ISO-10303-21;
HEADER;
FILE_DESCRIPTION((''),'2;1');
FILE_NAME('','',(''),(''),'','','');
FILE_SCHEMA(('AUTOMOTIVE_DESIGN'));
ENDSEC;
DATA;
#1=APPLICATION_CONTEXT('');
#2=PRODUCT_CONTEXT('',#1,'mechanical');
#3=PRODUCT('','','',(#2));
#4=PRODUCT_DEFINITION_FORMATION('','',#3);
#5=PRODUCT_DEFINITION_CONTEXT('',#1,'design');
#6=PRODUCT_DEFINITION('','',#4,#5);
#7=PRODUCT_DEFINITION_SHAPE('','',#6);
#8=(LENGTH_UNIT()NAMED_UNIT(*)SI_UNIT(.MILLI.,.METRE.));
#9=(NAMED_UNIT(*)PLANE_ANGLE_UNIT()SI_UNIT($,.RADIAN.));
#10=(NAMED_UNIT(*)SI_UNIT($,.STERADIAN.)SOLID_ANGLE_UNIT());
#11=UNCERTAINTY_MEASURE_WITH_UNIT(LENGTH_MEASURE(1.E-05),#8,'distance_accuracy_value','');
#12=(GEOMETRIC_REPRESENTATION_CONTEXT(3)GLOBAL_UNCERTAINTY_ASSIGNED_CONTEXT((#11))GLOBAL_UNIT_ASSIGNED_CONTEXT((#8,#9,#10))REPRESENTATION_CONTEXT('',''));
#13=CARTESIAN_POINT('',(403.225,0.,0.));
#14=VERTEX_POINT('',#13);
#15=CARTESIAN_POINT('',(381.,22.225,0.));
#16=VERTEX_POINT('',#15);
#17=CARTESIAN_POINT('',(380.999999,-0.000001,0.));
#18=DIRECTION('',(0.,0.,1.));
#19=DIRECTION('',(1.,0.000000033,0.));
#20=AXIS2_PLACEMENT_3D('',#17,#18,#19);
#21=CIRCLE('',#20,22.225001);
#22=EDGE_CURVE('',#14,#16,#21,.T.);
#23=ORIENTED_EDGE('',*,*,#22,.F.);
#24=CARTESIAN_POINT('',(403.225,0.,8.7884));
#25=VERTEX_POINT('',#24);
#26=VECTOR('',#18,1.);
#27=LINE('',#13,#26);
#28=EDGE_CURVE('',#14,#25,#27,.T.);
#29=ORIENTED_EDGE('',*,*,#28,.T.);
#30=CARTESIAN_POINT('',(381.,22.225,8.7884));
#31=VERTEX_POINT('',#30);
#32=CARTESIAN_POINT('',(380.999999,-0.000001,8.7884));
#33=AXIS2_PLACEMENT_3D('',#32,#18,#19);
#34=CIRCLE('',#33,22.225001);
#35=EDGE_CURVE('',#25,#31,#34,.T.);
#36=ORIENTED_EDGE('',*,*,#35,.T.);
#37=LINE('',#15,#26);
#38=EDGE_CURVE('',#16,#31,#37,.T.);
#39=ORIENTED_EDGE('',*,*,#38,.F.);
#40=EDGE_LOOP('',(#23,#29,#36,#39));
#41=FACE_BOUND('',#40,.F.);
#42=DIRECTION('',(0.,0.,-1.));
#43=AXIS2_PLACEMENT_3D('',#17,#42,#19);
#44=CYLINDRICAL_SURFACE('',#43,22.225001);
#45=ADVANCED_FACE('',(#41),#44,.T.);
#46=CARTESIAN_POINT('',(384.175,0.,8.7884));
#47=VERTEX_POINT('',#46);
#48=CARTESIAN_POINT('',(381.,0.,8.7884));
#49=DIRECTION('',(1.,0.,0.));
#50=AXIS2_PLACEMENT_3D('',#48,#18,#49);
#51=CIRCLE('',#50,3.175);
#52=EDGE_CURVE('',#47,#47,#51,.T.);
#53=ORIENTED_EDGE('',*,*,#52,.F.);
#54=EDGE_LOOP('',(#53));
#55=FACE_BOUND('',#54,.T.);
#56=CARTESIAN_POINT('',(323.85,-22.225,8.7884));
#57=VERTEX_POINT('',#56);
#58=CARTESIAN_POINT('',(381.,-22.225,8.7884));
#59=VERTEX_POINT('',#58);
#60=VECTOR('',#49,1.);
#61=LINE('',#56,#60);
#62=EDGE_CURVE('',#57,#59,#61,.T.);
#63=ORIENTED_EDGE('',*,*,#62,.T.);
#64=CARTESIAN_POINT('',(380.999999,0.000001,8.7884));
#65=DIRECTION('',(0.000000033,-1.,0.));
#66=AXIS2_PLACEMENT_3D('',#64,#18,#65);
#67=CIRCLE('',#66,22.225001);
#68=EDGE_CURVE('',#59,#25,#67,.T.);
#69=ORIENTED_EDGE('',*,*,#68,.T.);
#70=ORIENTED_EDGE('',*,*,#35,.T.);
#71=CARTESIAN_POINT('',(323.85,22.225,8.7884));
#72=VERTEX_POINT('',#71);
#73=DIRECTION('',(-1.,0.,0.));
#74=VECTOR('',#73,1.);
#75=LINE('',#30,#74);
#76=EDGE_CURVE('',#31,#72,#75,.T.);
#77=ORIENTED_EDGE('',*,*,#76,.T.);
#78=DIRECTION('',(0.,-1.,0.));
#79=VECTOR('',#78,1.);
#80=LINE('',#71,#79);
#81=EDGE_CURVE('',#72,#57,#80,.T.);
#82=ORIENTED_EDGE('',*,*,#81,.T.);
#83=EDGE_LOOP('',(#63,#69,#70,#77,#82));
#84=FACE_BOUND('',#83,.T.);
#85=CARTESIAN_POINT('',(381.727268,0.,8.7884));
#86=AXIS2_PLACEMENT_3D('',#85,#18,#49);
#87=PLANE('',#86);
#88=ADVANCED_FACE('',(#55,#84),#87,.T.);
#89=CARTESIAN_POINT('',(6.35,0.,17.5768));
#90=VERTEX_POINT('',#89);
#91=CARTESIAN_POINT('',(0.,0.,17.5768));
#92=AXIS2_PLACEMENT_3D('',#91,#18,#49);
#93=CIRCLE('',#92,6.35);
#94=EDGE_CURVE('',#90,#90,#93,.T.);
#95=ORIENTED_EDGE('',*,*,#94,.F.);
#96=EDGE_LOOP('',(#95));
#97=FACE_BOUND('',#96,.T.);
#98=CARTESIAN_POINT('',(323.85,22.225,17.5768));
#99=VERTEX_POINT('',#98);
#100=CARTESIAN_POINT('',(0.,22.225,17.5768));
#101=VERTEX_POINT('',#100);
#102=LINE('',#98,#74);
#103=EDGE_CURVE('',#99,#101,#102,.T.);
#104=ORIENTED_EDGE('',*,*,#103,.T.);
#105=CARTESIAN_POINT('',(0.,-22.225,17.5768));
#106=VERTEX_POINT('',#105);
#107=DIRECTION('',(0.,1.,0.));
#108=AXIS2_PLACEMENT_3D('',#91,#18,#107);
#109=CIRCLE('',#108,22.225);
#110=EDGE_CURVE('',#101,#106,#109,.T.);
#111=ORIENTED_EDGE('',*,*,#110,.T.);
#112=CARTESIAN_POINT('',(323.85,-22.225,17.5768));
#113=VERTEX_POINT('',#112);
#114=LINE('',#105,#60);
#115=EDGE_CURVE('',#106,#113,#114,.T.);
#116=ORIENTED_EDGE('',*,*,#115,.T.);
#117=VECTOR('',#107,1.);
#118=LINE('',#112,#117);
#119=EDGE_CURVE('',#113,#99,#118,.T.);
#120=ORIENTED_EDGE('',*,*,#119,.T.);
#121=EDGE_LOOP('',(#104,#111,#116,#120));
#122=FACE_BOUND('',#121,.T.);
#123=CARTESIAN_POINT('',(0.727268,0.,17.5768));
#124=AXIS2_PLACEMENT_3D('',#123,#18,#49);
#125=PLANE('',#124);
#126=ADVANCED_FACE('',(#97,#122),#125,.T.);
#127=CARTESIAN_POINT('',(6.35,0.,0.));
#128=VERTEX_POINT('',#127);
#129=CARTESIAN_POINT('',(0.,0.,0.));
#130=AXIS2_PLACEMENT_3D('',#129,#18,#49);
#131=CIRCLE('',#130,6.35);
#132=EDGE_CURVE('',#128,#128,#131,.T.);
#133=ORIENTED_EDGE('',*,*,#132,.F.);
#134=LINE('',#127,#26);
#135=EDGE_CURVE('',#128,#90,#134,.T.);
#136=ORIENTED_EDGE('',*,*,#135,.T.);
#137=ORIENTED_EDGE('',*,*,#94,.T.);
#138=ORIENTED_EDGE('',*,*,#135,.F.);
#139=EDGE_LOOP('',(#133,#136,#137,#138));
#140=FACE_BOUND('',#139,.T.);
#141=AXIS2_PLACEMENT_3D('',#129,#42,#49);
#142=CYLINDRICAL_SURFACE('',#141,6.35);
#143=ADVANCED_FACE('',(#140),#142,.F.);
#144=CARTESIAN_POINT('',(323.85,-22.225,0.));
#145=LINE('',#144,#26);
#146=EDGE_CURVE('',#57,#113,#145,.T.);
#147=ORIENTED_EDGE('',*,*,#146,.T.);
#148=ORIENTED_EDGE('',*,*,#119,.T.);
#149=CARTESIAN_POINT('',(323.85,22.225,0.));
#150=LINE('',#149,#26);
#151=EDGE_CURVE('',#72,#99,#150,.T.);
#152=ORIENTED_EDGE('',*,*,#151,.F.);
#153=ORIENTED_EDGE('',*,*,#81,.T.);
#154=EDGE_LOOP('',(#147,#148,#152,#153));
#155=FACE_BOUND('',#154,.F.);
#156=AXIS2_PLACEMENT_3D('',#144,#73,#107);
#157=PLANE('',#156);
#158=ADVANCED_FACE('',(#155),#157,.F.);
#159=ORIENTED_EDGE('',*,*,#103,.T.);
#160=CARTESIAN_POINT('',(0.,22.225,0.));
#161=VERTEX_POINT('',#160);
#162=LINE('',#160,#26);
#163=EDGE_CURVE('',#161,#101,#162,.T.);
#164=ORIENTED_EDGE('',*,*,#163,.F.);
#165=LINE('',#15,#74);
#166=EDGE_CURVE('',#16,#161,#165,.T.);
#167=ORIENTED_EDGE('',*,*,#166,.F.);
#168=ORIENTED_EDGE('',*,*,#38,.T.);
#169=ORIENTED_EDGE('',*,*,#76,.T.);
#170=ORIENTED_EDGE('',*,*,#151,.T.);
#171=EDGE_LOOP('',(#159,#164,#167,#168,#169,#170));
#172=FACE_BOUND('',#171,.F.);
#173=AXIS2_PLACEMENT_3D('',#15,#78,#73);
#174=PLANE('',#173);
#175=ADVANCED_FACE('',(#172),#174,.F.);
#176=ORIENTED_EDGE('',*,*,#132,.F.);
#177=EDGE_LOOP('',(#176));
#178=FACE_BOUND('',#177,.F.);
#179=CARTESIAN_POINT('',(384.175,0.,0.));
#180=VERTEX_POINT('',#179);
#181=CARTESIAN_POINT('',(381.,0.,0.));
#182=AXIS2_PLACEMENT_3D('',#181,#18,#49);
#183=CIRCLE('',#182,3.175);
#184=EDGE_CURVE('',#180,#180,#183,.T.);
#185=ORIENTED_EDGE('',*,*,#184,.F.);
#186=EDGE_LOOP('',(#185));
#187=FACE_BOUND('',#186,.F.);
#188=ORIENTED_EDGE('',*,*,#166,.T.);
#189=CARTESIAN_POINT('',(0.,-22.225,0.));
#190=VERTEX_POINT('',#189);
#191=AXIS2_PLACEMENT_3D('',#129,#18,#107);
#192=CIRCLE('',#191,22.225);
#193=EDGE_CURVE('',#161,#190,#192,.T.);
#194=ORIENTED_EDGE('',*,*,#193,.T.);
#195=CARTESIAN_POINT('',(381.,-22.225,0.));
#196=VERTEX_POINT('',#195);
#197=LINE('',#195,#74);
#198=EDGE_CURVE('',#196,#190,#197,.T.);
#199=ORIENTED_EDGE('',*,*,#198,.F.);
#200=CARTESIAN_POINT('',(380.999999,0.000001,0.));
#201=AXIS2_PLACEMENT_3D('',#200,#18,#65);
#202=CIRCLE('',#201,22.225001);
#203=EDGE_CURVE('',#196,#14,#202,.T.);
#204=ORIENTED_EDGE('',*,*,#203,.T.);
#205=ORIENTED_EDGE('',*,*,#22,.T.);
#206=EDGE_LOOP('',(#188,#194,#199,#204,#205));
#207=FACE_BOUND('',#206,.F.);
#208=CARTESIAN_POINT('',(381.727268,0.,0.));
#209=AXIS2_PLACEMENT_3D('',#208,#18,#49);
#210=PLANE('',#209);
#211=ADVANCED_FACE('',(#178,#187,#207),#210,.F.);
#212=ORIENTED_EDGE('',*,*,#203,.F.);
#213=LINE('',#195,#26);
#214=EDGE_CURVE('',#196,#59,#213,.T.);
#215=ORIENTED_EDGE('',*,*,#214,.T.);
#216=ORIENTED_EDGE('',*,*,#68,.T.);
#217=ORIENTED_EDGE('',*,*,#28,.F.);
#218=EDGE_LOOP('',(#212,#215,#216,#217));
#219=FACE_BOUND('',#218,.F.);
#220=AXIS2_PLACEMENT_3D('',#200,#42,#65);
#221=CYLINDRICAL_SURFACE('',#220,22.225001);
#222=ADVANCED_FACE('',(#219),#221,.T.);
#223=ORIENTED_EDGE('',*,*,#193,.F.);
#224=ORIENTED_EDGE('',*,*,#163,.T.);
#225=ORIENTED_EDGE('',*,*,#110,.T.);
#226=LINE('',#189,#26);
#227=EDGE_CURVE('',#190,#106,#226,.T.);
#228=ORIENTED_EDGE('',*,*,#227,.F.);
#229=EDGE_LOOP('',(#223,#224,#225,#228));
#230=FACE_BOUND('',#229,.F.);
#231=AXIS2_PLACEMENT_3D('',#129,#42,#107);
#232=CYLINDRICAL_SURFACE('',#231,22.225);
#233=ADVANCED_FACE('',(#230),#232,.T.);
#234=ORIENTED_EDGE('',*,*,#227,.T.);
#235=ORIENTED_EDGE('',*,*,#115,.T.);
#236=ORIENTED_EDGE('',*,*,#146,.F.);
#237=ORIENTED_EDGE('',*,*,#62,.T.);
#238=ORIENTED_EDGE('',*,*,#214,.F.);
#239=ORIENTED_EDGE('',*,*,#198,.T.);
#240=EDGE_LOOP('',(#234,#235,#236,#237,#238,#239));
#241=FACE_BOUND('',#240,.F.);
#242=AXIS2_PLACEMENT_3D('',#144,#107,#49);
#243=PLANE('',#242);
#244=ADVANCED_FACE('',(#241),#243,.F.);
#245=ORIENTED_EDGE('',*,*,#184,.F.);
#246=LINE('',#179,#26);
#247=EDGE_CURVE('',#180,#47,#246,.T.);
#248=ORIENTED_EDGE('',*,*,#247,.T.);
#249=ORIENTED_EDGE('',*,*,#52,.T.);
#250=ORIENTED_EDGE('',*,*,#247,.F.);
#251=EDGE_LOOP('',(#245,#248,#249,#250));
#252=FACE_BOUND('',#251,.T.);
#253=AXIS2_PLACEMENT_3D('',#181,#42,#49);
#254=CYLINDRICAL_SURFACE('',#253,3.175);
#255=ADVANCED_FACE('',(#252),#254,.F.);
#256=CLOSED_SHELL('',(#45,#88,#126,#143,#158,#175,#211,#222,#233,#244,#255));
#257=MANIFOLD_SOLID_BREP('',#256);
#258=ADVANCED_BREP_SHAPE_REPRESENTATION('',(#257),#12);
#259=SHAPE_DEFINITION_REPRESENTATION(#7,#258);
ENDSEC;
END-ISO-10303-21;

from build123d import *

# Parameters (mm, degrees)
F0_R     = 6.35
F1_DEPTH = 17.5768
F0_R_2   = 3.175
F2_DEPTH = 8.7884


with BuildPart() as f1:
    # F0 (on Top) → F1 (new body)
    with BuildSketch(Plane.XY):
        with BuildLine():
            ThreePointArc((0, -22.225), (15.715448, -15.715448), (22.225, 0))
            ThreePointArc((22.225, 0), (15.715448, 15.715448), (0, 22.225))
            ThreePointArc((0, 22.225), (-22.225, 0), (0, -22.225))
        make_face()
        Circle(F0_R, mode=Mode.SUBTRACT)
        with BuildLine():
            ThreePointArc((0, 22.225), (15.715448, 15.715448), (22.225, 0))
            ThreePointArc((22.225, 0), (15.715448, -15.715448), (0, -22.225))
            Line((0, -22.225), (323.85, -22.225))
            Line((323.85, -22.225), (323.85, 22.225))
            Line((323.85, 22.225), (0, 22.225))
        make_face()
    extrude(amount=F1_DEPTH)

    # F0 (on Top) → F2 (join)
    with BuildSketch(Plane.XY):
        with BuildLine():
            ThreePointArc((403.225, 0), (396.715448, 15.715448), (381, 22.225))
            ThreePointArc((381, 22.225), (358.775, 0), (381, -22.225))
            ThreePointArc((381, -22.225), (396.715448, -15.715448), (403.225, 0))
        make_face()
        with Locations((381, 0)):
            Circle(F0_R_2, mode=Mode.SUBTRACT)
        with BuildLine():
            Line((381, 22.225), (323.85, 22.225))
            Line((323.85, 22.225), (323.85, -22.225))
            Line((323.85, -22.225), (381, -22.225))
            ThreePointArc((381, -22.225), (358.775, 0), (381, 22.225))
        make_face()
    extrude(amount=F2_DEPTH)


solid = f1.part
